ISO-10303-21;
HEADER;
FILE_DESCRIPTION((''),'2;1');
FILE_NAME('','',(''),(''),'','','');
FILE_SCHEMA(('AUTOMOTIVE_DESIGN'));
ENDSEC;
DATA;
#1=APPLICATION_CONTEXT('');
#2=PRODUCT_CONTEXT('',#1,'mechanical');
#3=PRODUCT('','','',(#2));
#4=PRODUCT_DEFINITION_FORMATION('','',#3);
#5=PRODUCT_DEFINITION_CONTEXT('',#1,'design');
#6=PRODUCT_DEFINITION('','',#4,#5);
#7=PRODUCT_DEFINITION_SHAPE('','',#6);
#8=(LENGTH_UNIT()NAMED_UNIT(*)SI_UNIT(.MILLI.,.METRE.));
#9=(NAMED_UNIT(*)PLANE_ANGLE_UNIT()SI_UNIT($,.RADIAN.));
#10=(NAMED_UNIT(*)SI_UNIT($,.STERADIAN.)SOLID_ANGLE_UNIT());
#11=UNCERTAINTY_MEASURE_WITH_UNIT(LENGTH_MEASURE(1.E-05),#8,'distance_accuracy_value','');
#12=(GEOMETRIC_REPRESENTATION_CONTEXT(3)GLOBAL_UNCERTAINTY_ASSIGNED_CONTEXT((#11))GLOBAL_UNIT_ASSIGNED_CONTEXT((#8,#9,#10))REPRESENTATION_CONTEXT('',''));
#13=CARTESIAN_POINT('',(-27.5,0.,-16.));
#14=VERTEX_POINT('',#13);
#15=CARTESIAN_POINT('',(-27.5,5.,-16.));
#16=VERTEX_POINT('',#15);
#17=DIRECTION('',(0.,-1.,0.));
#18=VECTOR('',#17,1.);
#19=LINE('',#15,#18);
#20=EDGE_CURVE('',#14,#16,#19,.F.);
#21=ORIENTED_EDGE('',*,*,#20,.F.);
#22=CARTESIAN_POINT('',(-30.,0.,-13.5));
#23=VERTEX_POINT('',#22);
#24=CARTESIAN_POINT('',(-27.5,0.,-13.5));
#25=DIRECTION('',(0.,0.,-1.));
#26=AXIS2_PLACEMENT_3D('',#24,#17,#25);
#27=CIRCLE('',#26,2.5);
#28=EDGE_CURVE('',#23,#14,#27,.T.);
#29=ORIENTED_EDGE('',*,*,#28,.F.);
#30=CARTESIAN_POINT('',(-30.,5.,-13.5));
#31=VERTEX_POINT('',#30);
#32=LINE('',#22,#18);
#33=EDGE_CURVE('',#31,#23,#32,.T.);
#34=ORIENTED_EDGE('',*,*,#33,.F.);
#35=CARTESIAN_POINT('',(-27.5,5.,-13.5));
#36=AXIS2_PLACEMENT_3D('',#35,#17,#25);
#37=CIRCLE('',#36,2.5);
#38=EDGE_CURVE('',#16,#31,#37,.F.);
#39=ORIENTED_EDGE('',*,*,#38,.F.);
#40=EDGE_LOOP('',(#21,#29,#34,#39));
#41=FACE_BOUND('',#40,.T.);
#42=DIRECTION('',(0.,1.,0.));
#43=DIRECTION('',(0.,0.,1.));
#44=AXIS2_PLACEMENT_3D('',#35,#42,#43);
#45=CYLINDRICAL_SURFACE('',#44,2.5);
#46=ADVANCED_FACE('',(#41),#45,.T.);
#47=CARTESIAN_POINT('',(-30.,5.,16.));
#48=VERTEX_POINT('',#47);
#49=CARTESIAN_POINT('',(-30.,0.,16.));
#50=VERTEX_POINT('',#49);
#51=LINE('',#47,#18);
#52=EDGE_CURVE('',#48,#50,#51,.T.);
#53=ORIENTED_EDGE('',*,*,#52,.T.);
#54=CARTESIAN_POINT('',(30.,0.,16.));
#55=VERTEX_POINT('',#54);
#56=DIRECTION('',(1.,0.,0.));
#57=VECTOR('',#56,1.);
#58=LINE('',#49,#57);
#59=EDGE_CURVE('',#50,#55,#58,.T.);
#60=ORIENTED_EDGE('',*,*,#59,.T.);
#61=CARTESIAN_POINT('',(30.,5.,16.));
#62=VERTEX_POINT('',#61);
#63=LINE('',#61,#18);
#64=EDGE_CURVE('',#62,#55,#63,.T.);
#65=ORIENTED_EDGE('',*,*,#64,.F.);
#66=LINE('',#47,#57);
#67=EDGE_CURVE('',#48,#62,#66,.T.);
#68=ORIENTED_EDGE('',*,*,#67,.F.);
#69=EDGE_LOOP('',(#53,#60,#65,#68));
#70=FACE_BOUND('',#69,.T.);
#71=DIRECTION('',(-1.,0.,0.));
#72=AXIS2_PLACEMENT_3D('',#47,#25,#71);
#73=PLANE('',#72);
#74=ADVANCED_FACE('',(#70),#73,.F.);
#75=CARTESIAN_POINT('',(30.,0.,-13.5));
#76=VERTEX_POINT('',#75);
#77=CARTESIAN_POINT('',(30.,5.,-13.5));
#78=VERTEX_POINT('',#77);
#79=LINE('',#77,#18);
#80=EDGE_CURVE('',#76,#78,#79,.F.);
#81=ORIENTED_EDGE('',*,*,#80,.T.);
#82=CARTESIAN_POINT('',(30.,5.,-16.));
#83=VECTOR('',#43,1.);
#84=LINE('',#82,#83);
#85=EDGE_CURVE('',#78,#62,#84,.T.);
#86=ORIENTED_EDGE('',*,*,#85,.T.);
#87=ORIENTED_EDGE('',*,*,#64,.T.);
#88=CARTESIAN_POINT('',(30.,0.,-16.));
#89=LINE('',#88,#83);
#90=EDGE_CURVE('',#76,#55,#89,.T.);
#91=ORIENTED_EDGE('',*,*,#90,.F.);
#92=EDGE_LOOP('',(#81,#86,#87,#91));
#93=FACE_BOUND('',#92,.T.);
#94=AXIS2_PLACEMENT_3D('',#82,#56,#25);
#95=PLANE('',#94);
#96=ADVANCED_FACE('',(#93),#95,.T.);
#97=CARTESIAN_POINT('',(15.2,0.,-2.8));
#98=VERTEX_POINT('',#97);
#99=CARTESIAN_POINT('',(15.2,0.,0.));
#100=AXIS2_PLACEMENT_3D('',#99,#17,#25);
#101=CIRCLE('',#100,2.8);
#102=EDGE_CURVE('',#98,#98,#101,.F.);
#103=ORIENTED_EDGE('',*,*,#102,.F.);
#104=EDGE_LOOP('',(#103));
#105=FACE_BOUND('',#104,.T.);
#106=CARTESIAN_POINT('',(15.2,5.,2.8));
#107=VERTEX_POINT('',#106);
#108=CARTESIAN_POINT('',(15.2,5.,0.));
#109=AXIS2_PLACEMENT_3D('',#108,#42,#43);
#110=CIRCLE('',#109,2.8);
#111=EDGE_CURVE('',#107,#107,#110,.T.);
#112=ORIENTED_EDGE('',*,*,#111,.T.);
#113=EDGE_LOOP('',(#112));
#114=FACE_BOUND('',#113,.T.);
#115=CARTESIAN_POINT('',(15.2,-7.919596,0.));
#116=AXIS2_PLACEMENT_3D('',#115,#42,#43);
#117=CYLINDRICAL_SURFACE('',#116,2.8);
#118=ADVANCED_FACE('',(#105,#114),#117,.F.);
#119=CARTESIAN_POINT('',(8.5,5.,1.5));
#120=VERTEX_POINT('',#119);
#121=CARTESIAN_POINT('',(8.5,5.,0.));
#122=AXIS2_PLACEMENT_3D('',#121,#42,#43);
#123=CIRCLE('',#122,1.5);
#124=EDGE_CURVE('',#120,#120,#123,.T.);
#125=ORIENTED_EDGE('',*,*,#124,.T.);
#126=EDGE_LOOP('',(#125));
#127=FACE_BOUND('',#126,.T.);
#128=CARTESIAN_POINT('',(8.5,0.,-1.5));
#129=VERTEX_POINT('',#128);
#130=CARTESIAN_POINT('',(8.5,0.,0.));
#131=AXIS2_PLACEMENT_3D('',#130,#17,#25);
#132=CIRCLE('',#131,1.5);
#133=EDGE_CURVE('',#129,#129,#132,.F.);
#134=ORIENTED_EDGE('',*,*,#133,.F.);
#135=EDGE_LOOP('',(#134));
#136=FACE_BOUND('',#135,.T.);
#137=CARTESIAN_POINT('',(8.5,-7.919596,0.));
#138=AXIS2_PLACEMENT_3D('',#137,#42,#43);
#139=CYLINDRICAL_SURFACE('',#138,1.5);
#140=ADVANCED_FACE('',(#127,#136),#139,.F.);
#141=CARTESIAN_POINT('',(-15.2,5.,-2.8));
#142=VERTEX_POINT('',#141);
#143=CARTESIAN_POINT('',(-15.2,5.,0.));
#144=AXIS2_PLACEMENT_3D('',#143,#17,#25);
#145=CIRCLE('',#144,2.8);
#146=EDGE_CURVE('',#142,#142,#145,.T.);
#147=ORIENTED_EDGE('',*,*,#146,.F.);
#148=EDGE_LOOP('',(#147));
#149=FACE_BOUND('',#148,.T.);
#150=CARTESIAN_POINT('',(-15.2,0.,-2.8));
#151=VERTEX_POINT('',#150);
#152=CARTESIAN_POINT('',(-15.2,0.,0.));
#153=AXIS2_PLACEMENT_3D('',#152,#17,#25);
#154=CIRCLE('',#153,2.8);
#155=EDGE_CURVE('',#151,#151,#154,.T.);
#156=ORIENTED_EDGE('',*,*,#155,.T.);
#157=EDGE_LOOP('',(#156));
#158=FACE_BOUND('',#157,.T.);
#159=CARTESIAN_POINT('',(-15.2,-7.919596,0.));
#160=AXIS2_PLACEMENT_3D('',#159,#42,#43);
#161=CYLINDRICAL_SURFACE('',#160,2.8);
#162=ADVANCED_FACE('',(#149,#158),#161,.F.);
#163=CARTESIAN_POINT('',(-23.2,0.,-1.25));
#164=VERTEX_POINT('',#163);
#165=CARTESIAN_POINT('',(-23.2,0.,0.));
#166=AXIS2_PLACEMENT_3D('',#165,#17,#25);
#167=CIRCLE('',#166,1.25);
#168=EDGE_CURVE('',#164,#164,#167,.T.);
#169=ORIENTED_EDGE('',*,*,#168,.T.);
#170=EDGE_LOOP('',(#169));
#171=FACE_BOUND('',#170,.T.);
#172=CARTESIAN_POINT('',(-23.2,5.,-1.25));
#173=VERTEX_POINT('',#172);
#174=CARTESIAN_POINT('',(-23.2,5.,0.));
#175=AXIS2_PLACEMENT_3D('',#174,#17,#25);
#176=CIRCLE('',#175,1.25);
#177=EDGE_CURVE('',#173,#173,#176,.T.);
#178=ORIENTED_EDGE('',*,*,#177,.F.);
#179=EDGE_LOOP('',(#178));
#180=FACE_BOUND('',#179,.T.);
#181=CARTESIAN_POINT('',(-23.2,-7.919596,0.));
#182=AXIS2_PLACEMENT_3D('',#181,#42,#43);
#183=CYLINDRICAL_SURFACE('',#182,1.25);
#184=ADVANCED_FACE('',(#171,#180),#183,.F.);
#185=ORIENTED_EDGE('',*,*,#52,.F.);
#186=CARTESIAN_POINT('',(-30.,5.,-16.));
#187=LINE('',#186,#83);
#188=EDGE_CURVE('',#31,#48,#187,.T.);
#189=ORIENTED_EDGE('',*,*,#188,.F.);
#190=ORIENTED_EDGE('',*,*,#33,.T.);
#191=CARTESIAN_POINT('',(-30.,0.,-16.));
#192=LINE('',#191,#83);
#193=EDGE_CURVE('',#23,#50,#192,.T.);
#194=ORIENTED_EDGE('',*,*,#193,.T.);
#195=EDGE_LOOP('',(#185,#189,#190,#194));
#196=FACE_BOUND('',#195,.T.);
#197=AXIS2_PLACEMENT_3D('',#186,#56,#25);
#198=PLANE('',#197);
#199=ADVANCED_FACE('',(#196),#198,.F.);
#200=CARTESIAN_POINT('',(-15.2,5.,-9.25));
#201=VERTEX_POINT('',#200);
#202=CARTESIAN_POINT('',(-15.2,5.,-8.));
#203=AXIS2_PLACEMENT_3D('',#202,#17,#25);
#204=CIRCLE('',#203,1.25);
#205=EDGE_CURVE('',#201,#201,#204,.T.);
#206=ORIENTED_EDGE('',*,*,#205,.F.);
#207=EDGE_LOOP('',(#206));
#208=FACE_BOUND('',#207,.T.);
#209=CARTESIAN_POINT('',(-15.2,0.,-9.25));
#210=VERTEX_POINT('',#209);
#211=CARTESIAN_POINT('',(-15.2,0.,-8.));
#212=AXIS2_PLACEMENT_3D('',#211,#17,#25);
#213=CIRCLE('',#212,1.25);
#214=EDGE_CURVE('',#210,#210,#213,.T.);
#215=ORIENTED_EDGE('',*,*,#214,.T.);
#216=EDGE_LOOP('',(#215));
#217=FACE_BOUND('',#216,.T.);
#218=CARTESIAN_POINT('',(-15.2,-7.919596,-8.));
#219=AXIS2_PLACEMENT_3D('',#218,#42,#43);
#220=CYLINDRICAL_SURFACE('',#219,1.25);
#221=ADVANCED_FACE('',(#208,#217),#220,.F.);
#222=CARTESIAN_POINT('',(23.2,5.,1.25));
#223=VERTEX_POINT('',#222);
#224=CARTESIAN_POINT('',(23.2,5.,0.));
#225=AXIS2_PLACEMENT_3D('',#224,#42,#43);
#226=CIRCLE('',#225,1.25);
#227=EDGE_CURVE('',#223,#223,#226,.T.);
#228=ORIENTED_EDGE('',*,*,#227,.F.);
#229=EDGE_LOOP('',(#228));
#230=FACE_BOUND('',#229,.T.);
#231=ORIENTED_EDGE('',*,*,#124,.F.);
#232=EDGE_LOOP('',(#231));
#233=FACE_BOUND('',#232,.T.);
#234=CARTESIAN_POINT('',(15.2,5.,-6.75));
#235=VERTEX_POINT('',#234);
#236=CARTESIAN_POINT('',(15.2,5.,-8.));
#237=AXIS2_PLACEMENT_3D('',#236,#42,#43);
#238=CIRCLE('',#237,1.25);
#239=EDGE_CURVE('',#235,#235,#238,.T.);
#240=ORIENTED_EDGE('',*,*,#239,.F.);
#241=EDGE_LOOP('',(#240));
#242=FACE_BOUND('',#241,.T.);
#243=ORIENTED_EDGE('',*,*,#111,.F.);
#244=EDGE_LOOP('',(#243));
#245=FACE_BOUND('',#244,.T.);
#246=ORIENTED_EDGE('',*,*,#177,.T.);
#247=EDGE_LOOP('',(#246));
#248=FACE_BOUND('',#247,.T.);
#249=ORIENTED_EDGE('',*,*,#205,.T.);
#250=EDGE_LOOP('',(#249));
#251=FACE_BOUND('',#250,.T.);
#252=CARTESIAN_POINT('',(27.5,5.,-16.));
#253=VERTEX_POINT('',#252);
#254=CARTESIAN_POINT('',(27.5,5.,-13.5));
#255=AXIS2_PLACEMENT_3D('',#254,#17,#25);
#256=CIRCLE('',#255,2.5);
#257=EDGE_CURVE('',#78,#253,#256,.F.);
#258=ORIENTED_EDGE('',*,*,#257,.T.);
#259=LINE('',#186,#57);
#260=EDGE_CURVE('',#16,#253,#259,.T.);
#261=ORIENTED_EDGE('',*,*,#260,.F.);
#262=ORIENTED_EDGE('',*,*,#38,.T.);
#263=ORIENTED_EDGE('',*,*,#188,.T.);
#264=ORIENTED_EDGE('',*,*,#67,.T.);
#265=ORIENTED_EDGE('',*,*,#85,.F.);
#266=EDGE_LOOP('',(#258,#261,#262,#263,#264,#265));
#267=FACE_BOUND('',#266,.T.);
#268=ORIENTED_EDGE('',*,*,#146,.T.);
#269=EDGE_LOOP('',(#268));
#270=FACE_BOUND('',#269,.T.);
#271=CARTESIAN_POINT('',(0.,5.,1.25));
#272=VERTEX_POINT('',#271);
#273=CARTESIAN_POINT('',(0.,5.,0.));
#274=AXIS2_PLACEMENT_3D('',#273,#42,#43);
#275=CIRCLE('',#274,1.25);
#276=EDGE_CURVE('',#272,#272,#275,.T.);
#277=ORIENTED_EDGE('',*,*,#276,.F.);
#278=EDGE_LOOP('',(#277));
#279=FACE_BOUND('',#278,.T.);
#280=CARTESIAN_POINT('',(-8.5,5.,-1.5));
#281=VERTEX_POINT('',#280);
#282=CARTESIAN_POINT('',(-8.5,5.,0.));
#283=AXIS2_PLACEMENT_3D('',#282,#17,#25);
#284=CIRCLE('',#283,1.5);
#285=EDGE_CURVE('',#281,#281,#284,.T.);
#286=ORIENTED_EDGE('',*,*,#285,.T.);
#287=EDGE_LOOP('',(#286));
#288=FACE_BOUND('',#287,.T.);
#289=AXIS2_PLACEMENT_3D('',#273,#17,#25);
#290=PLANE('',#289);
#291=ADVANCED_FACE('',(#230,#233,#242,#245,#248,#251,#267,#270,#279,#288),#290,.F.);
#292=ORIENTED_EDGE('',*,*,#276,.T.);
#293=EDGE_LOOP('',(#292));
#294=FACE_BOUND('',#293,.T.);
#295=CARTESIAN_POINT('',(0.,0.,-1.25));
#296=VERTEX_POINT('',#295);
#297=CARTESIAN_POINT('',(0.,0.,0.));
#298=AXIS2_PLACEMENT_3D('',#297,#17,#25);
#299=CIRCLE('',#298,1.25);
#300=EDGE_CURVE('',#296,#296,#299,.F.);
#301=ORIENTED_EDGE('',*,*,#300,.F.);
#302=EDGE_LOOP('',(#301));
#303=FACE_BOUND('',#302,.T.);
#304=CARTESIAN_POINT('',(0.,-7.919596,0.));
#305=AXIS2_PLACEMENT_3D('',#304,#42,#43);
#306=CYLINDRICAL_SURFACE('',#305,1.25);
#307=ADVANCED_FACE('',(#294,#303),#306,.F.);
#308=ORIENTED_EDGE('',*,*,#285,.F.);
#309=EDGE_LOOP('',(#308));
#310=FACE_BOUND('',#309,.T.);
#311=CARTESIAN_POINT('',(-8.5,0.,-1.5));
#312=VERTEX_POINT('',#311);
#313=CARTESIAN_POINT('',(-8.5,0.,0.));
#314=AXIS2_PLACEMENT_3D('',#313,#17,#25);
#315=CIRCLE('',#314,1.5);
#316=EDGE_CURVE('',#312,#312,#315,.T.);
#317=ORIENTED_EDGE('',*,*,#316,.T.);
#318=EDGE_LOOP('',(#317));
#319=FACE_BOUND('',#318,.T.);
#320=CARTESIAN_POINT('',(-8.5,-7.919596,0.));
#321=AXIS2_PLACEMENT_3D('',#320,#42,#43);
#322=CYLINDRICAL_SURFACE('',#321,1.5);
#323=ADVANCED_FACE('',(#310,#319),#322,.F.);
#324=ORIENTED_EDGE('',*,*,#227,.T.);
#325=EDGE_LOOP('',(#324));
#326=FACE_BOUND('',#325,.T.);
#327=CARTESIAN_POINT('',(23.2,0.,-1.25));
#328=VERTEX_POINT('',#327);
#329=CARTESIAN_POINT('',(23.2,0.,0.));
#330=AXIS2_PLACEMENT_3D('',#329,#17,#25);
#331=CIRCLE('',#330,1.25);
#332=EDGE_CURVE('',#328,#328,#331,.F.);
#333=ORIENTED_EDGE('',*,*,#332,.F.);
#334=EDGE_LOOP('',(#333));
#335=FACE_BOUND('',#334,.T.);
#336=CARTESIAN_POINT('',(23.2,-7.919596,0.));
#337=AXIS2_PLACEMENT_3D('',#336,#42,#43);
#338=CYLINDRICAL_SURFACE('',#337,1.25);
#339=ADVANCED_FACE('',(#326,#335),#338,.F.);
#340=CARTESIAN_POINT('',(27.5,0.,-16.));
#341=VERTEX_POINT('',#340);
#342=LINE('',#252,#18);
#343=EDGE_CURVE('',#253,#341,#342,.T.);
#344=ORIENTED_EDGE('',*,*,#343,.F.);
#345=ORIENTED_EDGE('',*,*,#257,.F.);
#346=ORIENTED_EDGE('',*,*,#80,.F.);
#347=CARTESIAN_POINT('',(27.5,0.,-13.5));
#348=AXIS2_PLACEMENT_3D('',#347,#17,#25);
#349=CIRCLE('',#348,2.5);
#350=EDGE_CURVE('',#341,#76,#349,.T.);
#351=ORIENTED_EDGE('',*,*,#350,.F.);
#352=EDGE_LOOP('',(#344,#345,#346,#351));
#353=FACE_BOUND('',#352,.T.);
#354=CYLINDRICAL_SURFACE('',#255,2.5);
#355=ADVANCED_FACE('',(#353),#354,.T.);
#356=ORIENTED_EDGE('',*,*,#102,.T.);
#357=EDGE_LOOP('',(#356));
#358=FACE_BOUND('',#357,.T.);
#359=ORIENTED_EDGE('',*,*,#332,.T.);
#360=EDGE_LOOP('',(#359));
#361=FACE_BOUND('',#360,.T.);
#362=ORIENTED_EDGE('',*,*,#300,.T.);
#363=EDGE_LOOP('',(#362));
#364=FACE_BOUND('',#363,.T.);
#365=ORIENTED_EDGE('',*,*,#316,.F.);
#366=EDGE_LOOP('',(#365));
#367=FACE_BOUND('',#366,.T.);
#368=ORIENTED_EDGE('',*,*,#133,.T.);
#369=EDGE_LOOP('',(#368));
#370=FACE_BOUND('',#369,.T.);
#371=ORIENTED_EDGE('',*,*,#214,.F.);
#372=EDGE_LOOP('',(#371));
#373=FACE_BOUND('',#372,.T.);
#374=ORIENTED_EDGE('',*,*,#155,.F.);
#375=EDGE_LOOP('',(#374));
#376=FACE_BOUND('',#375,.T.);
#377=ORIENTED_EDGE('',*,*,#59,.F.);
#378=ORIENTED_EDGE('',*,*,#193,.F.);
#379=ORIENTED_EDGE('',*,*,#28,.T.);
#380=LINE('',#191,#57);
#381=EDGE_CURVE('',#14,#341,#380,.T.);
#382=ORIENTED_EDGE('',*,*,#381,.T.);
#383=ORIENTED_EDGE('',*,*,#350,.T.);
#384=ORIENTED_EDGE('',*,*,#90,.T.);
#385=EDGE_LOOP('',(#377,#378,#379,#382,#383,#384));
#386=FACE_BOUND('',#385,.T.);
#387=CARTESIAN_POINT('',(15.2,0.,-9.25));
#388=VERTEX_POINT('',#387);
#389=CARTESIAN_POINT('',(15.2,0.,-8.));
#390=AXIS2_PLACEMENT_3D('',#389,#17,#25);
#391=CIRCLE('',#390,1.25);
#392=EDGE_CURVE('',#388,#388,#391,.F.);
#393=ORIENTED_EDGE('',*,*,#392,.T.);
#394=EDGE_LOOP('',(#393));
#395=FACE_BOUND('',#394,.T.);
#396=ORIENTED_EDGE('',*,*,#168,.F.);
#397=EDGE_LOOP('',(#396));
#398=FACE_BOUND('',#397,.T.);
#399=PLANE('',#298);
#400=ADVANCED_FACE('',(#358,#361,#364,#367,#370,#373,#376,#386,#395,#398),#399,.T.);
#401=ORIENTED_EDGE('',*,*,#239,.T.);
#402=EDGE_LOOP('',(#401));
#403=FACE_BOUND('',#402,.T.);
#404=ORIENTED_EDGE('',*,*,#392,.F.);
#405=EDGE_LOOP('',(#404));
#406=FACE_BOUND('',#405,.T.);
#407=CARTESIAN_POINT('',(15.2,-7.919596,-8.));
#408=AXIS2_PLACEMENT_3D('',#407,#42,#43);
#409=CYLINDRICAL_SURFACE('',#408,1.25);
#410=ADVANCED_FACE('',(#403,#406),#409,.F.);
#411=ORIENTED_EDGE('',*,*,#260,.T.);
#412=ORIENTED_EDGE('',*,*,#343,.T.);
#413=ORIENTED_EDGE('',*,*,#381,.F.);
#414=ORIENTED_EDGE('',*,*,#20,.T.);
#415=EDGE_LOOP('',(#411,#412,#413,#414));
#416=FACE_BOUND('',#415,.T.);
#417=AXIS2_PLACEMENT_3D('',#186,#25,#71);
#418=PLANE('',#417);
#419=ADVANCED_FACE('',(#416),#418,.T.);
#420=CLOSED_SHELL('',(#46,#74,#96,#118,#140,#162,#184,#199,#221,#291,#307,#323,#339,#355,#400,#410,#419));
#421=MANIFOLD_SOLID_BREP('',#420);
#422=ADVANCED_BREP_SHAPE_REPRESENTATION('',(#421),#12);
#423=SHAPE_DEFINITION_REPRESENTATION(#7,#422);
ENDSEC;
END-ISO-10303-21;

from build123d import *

# Parameters (mm, degrees)
SKETCH_1_W          = 60
SKETCH_1_H          = 32
EXTRUDE_1_DEPTH     = 5
SKETCH_2_R          = 1.5
SKETCH_2_R_2        = 1.25
SKETCH_2_R_3        = 2.8
CUT_EXTRUDE_1_DEPTH = 5
FILLET_1_R          = 2.5


with BuildPart() as part:
    # 草图1 → 凸台-拉伸1 (new body)
    with BuildSketch(Plane(origin=(0, 0, 0), x_dir=(1, 0, 0), z_dir=(0, 1, 0))):
        Rectangle(SKETCH_1_W, SKETCH_1_H)
    extrude(amount=EXTRUDE_1_DEPTH)

    # 草图2 → 切除-拉伸1 (cut)
    with BuildSketch(Plane(origin=(0, 5, 0), x_dir=(1, 0, 0), z_dir=(0, 1, 0))):
        with Locations(Location((8.5, 0, 0), (0, 0, 270))):
            Circle(SKETCH_2_R)
        with Locations(Location((-8.5, 0, 0), (0, 0, 90))):
            Circle(SKETCH_2_R)
        with Locations(Location((0, 0, 0), (0, 0, 270))):
            Circle(SKETCH_2_R_2)
        with Locations(Location((15.2, 0, 0), (0, 0, 270))):
            Circle(SKETCH_2_R_3)
        with Locations(Location((-15.2, 0, 0), (0, 0, 90))):
            Circle(SKETCH_2_R_3)
        with Locations(Location((15.2, 8, 0), (0, 0, 270))):
            Circle(SKETCH_2_R_2)
        with Locations(Location((23.2, 0, 0), (0, 0, 270))):
            Circle(SKETCH_2_R_2)
        with Locations(Location((-23.2, 0, 0), (0, 0, 90))):
            Circle(SKETCH_2_R_2)
        with Locations(Location((-15.2, 8, 0), (0, 0, 90))):
            Circle(SKETCH_2_R_2)
    extrude(amount=-CUT_EXTRUDE_1_DEPTH, mode=Mode.SUBTRACT)

    # 圆角1
    fillet_1_edges = [part.edges().sort_by_distance(p)[0] for p in [
        (-30, 2.5, -16),
        (30, 2.5, -16),
    ]]
    fillet(fillet_1_edges, radius=FILLET_1_R)


solid = part.part
